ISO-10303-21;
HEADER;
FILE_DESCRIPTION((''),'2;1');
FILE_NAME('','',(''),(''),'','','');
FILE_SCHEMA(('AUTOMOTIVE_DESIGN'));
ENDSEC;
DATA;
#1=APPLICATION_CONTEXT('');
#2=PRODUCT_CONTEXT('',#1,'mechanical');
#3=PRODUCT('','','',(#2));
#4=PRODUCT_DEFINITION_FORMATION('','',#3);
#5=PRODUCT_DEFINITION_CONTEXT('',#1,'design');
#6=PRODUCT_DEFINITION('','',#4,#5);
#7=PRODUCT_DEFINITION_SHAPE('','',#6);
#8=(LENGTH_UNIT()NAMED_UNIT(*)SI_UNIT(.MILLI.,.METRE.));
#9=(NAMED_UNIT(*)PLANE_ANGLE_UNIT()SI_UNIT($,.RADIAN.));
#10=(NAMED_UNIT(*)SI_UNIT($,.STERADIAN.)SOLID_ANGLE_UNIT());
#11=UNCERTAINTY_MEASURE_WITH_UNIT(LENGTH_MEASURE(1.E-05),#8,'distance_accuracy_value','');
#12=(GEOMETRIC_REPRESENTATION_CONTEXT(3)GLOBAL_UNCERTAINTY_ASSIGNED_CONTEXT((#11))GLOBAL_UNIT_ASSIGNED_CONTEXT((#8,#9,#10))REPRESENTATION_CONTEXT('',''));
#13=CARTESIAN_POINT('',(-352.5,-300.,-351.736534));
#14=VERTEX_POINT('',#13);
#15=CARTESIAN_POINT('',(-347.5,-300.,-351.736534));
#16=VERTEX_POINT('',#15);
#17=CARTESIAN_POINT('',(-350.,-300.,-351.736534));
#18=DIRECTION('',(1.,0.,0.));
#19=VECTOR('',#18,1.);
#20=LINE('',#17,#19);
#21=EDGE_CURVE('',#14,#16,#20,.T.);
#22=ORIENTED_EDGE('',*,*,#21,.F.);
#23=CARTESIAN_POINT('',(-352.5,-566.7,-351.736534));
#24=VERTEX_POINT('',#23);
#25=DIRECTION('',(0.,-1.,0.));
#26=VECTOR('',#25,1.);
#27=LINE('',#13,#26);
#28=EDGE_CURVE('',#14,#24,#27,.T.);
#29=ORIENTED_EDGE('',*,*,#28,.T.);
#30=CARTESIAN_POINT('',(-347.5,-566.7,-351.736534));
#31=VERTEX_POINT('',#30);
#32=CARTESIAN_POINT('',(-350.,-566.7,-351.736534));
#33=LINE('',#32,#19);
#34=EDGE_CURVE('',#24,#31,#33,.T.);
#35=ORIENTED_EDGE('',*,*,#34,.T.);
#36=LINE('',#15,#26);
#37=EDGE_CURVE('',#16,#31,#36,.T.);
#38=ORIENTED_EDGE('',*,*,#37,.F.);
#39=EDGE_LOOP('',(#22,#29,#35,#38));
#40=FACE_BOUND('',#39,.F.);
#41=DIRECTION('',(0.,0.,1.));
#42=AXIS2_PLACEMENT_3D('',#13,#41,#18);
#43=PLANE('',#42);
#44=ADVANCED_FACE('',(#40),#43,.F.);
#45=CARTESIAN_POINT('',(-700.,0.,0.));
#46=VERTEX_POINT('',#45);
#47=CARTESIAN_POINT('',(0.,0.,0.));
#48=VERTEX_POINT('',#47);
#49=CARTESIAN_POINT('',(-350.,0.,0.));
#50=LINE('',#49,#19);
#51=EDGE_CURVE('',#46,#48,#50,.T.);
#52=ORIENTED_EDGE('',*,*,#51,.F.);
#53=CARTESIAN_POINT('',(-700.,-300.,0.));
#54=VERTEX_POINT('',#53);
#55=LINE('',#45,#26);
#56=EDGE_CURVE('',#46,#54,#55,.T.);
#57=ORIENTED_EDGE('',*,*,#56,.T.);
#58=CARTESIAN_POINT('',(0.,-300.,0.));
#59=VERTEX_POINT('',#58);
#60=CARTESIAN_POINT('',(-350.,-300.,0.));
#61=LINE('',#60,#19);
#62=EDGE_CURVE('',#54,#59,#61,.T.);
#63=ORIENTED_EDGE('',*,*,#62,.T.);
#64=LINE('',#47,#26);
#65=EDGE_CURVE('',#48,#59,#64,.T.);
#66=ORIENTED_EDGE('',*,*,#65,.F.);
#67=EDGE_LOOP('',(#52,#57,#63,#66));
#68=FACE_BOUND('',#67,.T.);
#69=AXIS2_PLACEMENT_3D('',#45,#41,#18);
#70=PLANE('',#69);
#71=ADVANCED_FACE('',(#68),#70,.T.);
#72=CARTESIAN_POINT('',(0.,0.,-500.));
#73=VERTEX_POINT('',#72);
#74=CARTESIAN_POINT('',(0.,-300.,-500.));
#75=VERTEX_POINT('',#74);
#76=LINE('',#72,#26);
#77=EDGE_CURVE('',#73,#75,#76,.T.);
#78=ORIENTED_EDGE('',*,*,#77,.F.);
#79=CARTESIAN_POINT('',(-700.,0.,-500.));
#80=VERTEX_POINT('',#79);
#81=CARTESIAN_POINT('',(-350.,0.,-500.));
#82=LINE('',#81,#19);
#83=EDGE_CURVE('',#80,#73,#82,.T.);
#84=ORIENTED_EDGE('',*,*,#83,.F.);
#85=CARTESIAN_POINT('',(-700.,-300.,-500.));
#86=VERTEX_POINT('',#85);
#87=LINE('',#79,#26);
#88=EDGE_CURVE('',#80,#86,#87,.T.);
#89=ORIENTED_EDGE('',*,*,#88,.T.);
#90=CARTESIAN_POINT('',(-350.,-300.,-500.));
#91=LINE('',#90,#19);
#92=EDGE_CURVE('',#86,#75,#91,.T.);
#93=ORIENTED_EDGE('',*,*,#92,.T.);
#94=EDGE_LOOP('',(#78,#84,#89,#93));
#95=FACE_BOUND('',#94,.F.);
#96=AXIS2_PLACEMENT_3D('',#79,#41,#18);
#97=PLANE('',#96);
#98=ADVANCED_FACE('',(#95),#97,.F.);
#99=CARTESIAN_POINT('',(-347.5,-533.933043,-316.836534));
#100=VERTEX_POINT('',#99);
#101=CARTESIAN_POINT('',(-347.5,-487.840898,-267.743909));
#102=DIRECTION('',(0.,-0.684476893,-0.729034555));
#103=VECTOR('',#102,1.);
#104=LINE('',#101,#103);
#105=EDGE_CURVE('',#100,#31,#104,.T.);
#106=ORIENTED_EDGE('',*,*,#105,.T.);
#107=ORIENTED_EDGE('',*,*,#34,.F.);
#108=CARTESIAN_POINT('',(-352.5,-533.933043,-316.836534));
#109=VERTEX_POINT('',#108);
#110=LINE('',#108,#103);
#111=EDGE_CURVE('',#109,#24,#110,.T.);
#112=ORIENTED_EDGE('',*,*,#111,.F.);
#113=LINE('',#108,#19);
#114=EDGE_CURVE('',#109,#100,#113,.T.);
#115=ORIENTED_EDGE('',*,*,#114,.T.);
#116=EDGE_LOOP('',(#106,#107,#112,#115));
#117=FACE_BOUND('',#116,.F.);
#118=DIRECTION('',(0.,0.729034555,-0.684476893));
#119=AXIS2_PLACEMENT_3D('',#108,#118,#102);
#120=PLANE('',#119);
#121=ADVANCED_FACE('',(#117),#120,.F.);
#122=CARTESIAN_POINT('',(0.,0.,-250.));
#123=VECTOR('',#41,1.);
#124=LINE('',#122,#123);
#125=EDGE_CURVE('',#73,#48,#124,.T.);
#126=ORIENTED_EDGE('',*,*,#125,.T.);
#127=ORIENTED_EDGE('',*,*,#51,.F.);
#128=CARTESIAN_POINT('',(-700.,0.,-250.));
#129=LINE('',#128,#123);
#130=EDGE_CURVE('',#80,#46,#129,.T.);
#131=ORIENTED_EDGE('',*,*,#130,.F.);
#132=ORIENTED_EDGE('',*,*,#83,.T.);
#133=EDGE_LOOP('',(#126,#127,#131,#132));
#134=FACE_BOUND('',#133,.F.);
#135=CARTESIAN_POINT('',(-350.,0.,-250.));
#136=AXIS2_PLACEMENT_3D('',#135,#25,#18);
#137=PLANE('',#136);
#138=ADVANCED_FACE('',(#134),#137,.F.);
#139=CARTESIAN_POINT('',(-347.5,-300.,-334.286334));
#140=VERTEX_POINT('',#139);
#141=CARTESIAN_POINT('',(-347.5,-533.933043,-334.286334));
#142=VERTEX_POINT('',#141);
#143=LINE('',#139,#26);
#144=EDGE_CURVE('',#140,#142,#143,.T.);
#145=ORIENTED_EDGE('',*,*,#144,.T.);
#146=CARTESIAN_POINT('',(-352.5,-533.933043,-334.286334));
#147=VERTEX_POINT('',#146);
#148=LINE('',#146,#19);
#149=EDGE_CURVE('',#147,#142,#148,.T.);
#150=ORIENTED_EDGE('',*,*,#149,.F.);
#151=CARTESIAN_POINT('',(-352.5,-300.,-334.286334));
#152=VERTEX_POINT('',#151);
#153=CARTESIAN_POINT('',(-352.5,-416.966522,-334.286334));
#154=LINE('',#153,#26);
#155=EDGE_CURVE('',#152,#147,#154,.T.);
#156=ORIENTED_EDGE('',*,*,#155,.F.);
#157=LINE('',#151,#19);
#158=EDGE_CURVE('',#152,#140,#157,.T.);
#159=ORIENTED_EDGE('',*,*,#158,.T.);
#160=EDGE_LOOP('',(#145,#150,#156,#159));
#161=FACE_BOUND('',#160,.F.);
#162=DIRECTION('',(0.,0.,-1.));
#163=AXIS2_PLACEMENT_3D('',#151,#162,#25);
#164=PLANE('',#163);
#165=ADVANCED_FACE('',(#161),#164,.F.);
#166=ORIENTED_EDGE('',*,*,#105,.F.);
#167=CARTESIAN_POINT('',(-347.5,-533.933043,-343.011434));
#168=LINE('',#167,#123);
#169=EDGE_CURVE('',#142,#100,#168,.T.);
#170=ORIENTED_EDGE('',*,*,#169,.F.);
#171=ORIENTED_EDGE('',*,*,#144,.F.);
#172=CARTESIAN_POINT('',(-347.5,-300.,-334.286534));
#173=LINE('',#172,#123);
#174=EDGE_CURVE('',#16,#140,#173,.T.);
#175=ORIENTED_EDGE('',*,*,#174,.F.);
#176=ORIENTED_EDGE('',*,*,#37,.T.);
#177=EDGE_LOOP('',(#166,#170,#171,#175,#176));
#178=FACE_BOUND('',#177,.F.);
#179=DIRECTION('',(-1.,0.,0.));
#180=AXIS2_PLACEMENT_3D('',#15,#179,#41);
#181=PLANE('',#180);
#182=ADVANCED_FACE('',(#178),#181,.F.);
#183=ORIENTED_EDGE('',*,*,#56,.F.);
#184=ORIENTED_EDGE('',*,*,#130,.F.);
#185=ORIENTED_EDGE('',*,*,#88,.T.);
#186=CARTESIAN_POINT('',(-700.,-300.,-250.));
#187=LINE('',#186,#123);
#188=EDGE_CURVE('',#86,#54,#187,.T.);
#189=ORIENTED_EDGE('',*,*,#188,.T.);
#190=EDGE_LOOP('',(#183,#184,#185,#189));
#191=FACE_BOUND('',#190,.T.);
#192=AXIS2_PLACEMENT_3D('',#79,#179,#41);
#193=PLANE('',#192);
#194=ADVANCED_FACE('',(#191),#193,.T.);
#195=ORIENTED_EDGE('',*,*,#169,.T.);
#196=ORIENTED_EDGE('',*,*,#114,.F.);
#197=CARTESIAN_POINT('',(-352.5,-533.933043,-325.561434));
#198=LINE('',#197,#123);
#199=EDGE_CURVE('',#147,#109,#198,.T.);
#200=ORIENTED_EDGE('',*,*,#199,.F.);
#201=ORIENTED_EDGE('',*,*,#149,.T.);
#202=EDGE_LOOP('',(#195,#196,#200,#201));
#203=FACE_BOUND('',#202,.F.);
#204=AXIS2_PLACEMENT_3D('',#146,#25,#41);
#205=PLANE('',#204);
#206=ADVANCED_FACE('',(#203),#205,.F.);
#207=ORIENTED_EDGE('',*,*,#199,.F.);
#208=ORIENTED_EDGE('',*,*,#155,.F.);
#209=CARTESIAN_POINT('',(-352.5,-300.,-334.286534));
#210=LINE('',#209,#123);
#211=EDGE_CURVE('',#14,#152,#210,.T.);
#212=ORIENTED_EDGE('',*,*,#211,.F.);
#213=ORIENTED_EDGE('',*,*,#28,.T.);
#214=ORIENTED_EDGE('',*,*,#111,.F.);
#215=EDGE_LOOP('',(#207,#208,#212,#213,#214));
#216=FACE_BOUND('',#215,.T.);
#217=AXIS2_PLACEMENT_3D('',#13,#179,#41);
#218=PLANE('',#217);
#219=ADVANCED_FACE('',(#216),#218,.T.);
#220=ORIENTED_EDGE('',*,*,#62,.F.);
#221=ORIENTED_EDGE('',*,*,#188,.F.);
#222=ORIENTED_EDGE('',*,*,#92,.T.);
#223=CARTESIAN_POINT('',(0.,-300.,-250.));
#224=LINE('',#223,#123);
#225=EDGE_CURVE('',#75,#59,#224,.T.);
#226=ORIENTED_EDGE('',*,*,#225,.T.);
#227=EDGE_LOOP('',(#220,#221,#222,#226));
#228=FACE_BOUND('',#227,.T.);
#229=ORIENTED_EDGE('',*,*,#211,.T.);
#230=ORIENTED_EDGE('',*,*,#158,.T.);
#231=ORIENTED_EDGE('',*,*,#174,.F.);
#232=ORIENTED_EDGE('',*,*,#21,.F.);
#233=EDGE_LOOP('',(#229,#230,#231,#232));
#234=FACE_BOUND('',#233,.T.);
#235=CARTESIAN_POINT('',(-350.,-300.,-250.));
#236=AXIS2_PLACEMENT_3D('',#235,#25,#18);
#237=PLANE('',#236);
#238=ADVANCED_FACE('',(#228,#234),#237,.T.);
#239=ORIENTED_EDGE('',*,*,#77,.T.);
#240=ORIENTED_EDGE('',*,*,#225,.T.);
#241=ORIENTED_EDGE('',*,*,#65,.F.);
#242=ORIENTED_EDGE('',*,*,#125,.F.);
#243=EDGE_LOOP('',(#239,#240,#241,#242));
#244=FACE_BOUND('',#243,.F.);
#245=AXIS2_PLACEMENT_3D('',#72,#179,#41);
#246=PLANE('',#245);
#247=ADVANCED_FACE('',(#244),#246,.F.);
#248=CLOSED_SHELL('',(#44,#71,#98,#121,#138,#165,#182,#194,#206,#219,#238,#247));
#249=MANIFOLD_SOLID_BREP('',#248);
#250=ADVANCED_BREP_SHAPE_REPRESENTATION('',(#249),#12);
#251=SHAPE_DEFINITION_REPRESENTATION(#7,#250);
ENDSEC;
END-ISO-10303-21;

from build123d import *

# Parameters (mm, degrees)
F0_W     = 700
F0_H     = 500
F1_DEPTH = 300
F2_W     = 5
F2_H     = 34.9
F3_DEPTH = 266.7
F4_W     = 233.9330434799
F4_H     = 17.4498
F5_DEPTH = 25.4


with BuildPart() as f1:
    # F0 (on Front) → F1 (new body)
    with BuildSketch(Plane.XZ):
        with Locations((-350, -250)):
            Rectangle(F0_W, F0_H)
    extrude(amount=F1_DEPTH)

    # F2 (on face) → F3 (join)
    with BuildSketch(Plane.XZ.offset(300)):
        with Locations((-350, -334.2865335016)):
            Rectangle(F2_W, F2_H)
    extrude(amount=F3_DEPTH)

    # F4 (on face) → F5 (cut)
    with BuildSketch(Plane(origin=(-352.5, 0, 0), x_dir=(0, -1, 0), z_dir=(-1, 0, 0))):
        with Locations((416.96652174, -325.5614335016)):
            Rectangle(F4_W, F4_H)
        Polygon((533.9330434799, -316.8365335016), (566.7, -351.7365335016), (566.7, -316.8365335016), align=None)
    extrude(amount=-F5_DEPTH, mode=Mode.SUBTRACT)


solid = f1.part
